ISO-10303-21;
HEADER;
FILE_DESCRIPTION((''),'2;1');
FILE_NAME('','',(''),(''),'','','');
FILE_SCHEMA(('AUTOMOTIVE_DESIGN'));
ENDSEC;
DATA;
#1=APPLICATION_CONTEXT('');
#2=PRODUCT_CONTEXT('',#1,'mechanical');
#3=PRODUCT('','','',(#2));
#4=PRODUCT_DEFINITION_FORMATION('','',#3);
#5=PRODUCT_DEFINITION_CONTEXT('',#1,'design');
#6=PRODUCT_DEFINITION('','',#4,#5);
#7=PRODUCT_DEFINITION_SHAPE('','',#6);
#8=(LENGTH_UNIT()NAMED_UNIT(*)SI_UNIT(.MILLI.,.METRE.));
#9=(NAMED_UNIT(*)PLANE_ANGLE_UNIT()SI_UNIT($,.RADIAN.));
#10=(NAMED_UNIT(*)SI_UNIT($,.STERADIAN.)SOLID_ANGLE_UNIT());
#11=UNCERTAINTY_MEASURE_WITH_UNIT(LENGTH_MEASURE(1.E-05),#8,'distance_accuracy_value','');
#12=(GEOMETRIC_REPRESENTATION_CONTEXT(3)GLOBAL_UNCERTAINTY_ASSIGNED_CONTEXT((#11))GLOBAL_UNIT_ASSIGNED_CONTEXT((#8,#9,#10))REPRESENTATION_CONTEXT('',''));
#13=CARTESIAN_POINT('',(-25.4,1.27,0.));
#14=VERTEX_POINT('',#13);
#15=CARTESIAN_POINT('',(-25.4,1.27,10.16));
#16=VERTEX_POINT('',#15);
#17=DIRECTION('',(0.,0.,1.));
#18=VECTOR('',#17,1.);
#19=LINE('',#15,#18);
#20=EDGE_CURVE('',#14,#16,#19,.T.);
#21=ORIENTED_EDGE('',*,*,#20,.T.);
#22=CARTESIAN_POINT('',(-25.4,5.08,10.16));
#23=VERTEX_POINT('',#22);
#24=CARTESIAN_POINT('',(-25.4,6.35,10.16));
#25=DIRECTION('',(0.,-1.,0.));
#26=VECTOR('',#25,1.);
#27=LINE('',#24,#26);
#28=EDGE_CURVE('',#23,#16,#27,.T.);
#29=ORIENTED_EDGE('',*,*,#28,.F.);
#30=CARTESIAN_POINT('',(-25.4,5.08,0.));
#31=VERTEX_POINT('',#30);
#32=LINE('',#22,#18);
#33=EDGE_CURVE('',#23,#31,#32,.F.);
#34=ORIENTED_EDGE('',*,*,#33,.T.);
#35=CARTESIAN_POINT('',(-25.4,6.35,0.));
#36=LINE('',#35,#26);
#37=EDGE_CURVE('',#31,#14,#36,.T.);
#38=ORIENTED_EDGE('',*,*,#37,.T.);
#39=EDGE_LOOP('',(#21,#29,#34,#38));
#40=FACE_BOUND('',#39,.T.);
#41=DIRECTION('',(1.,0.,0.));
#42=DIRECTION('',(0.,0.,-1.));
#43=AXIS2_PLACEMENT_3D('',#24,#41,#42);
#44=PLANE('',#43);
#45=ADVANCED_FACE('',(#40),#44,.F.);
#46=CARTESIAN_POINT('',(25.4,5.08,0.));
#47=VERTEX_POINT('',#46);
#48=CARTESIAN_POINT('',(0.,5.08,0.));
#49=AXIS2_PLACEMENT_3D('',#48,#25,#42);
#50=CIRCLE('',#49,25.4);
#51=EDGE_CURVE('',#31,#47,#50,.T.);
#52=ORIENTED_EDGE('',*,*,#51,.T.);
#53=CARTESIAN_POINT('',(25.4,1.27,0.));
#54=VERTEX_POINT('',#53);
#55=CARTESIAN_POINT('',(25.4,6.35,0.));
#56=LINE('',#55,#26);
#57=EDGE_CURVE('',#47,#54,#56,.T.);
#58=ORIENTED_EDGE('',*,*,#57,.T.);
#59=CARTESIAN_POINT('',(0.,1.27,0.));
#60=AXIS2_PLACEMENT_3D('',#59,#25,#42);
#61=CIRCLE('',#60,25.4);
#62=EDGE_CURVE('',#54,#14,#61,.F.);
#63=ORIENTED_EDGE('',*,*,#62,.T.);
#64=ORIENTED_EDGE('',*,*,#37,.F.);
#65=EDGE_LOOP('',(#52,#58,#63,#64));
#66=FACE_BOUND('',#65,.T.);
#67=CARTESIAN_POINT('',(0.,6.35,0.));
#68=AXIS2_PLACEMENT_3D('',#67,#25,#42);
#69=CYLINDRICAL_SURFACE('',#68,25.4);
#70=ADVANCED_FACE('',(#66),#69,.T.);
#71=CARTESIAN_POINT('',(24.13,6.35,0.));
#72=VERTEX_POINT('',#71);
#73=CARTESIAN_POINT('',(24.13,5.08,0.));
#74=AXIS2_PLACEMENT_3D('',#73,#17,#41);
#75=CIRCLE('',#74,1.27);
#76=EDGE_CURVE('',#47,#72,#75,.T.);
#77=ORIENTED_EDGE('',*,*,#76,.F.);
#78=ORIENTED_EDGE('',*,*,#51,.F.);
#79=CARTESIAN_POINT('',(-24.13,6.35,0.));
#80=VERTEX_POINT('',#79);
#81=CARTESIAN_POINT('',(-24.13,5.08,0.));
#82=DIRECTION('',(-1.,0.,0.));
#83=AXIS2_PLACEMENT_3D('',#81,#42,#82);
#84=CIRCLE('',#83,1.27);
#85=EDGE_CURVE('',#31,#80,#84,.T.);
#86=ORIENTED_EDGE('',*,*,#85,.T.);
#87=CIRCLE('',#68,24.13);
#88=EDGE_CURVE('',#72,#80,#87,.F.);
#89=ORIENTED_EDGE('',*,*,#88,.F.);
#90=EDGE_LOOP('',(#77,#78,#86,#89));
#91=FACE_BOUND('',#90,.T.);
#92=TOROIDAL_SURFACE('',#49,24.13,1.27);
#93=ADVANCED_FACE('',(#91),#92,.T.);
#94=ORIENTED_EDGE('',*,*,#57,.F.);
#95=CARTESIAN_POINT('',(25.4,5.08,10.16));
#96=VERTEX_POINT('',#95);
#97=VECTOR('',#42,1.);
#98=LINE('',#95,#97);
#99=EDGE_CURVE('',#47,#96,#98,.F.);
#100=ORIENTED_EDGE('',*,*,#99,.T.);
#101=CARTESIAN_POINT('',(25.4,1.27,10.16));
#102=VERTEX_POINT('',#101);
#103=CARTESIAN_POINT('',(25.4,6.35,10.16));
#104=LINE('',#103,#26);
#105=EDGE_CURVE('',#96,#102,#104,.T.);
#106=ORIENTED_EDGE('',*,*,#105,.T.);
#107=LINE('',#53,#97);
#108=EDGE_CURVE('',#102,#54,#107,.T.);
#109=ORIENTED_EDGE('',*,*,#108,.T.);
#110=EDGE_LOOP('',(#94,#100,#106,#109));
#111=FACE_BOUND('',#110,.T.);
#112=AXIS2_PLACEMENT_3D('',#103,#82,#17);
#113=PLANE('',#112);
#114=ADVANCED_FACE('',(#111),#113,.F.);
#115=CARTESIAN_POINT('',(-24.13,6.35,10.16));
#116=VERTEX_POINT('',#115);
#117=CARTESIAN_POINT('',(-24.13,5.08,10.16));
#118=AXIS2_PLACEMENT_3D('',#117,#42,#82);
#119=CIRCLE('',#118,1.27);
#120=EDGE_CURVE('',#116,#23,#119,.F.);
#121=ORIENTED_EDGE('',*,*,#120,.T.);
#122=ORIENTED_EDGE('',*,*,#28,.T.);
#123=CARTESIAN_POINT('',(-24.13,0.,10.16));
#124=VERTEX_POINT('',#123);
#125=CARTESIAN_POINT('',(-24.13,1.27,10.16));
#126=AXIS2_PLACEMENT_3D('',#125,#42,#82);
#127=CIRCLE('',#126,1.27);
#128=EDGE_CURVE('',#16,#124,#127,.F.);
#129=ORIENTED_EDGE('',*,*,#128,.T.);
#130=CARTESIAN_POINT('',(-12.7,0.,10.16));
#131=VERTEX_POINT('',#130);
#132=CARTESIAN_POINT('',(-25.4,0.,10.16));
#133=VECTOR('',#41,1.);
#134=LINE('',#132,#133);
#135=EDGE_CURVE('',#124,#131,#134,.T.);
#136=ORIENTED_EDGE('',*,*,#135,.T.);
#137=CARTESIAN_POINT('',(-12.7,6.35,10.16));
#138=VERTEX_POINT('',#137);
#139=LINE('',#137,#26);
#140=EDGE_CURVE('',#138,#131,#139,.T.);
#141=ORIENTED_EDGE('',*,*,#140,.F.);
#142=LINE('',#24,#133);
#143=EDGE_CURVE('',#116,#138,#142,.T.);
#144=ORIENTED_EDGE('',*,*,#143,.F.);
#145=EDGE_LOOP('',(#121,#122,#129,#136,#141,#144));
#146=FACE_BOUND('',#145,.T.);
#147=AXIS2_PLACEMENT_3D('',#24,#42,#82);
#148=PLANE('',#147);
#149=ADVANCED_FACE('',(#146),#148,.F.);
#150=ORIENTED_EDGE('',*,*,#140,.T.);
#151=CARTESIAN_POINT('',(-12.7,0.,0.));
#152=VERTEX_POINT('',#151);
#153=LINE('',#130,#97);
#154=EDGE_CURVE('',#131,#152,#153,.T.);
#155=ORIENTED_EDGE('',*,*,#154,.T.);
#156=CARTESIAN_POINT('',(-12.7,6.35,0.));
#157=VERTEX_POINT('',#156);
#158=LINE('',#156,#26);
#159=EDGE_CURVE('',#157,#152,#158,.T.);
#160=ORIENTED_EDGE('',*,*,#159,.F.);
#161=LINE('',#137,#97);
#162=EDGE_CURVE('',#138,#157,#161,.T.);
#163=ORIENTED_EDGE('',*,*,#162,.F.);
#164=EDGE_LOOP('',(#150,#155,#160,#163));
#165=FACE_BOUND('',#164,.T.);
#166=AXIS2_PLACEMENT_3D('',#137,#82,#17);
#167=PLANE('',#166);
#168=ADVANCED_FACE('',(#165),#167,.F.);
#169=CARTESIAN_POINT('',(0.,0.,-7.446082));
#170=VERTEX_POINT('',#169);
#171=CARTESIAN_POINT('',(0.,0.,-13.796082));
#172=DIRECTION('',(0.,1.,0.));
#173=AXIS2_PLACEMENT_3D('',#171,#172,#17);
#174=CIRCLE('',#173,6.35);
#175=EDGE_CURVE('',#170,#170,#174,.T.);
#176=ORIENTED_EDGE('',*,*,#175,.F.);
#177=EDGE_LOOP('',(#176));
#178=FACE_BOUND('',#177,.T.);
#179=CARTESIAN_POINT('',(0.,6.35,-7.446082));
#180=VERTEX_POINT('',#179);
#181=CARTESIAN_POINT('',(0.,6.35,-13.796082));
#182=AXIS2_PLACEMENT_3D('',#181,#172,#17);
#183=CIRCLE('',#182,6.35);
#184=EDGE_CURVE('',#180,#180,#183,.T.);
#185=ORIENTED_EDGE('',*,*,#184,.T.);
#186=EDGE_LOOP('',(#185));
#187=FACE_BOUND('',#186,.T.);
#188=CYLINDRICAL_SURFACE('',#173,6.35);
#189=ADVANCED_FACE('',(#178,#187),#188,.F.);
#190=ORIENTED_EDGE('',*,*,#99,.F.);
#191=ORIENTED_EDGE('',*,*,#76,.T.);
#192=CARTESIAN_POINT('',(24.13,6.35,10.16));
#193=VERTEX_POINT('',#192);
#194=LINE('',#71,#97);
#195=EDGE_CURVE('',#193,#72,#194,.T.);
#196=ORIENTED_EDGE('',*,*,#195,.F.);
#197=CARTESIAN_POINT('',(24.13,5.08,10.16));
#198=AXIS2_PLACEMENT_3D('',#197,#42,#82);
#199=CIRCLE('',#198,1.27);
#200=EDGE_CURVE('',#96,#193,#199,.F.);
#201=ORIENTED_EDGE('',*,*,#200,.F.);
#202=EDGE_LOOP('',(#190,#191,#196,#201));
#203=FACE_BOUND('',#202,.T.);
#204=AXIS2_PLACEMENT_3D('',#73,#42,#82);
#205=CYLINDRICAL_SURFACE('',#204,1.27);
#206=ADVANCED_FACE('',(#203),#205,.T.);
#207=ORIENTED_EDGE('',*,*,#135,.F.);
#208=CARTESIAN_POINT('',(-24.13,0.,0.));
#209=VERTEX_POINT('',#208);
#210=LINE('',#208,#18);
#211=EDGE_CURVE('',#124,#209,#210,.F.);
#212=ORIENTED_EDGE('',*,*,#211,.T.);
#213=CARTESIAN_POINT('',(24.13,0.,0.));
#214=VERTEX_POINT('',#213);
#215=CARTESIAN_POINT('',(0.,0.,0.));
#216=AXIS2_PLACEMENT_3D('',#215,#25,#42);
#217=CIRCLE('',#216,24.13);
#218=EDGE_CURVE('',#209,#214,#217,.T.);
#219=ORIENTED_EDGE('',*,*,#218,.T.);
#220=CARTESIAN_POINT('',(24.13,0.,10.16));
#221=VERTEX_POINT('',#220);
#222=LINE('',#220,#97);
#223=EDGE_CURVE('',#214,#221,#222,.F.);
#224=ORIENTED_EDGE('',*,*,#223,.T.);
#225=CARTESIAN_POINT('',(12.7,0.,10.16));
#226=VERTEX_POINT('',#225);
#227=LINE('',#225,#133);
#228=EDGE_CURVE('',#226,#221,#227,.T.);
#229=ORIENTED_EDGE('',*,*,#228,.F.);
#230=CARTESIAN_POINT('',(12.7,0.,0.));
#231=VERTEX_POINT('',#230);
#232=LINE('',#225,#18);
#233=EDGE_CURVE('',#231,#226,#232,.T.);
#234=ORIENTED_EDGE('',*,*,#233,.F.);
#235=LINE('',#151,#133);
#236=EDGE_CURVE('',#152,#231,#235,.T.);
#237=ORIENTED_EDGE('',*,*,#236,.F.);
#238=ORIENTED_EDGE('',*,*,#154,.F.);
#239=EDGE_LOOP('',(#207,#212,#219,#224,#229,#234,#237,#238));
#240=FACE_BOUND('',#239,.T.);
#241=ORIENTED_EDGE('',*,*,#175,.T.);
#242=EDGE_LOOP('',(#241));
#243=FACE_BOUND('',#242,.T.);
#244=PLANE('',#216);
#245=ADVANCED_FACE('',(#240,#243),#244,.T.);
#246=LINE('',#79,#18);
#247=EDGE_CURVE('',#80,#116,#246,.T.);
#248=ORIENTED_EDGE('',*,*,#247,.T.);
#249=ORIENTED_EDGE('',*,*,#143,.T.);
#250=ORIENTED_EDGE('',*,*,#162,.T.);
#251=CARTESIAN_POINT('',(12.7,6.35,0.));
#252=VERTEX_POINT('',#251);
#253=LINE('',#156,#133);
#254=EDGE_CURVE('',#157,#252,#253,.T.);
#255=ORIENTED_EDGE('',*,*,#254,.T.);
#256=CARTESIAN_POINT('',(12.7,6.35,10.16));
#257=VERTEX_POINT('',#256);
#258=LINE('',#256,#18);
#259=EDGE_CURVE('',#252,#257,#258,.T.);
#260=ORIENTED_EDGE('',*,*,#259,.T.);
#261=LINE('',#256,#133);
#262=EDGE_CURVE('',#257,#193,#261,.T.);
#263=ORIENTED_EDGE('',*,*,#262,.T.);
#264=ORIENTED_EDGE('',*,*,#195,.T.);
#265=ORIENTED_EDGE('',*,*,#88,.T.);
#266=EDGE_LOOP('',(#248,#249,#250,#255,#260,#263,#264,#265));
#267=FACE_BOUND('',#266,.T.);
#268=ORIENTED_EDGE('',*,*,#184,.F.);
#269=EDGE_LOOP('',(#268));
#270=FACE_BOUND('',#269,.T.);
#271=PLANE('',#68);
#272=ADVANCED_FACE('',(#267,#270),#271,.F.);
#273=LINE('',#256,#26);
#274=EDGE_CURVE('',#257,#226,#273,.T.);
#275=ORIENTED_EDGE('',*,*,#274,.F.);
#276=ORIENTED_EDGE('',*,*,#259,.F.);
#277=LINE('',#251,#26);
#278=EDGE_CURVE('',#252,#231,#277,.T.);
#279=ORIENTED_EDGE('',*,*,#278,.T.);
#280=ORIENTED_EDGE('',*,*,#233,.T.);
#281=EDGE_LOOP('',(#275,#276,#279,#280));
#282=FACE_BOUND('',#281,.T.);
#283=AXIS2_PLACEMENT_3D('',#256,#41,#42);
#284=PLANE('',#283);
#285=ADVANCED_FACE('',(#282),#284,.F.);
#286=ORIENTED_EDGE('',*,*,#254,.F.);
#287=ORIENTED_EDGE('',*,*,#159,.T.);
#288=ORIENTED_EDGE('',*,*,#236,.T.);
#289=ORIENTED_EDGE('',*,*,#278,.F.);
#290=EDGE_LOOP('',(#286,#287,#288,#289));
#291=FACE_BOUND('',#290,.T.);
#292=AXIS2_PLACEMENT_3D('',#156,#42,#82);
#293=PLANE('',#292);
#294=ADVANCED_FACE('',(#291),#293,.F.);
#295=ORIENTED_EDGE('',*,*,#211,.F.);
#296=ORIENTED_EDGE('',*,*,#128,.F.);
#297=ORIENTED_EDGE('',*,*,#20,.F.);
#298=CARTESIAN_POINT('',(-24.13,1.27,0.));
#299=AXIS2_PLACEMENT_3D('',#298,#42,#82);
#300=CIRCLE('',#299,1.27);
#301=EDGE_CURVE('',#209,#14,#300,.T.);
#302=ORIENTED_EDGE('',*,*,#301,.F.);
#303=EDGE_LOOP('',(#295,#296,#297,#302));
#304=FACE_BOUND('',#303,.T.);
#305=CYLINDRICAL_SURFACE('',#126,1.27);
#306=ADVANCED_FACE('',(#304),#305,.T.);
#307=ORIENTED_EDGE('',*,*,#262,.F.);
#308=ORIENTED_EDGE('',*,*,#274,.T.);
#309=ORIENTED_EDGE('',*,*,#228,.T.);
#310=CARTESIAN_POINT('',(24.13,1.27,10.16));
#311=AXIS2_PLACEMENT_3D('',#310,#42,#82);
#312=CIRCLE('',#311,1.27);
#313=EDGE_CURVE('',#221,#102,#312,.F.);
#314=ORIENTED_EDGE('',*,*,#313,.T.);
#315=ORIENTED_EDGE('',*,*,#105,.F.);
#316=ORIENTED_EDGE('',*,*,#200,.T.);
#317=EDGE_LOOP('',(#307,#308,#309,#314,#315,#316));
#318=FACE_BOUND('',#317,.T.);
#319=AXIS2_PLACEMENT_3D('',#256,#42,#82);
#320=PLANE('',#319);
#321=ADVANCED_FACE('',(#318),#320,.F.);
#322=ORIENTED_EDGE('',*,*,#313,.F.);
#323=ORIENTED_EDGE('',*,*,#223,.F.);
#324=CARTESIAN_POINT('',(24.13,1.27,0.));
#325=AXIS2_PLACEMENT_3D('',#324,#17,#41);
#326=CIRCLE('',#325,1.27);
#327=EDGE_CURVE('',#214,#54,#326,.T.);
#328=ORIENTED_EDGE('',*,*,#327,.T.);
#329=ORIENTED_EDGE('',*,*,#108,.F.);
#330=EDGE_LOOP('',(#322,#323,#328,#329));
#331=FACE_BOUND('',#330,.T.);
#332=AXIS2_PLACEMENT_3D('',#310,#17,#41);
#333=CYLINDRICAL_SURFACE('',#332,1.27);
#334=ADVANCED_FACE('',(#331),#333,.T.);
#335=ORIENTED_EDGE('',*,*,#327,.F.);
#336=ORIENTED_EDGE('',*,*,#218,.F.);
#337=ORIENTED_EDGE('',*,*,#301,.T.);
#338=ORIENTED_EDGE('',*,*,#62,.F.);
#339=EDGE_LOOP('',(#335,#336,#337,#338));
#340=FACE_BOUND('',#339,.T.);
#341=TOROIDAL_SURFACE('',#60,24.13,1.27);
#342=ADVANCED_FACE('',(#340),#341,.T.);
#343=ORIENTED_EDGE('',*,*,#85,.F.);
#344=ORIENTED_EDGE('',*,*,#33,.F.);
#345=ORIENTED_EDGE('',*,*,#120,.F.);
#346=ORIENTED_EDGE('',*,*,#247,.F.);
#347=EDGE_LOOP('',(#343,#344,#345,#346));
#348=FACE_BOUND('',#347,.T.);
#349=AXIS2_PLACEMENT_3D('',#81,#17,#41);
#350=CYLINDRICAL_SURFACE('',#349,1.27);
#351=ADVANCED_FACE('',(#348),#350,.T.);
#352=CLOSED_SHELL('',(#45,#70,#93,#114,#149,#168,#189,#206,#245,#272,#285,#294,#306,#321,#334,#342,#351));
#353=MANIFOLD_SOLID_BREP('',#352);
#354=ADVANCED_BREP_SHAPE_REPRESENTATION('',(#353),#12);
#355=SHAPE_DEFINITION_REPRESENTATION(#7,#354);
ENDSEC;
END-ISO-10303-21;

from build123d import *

# Parameters (mm, degrees)
BOSS_EXTRUDE1_DEPTH = 6.35
FILLET2_R           = 1.27
SKETCH2_R           = 6.35
CUT_EXTRUDE1_DEPTH  = 7.35


with BuildPart() as part:
    # Sketch1 → Boss-Extrude1 (new body)
    with BuildSketch(Plane(origin=(0, 0, 0), x_dir=(1, 0, 0), z_dir=(0, 1, 0))):
        with BuildLine():
            Line((-25.4, -10.16), (-12.7, -10.16))
            Line((-12.7, -10.16), (-12.7, 0))
            Line((-12.7, 0), (12.7, 0))
            Line((12.7, 0), (12.7, -10.16))
            Line((12.7, -10.16), (25.4, -10.16))
            Line((25.4, -10.16), (25.4, 0))
            ThreePointArc((25.4, 0), (0, 25.4), (-25.4, 0))
            Line((-25.4, 0), (-25.4, -10.16))
        make_face()
    extrude(amount=BOSS_EXTRUDE1_DEPTH)

    # Fillet2
    fillet2_edges = [part.edges().sort_by_distance(p)[0] for p in [
        (-25.4, 0, 5.08),
        (0, 0, -25.4),
        (25.4, 6.35, 5.08),
        (0, 6.35, -25.4),
        (-25.4, 6.35, 5.08),
        (25.4, 0, 5.08),
    ]]
    fillet(fillet2_edges, radius=FILLET2_R)

    # Sketch2 → Cut-Extrude1 (cut, through all)
    with BuildSketch(Plane(origin=(0, 6.35, 0), x_dir=(1, 0, 0), z_dir=(0, 1, 0))):
        with Locations((0, 13.796082309)):
            Circle(SKETCH2_R)
    extrude(amount=-CUT_EXTRUDE1_DEPTH, mode=Mode.SUBTRACT)


solid = part.part
